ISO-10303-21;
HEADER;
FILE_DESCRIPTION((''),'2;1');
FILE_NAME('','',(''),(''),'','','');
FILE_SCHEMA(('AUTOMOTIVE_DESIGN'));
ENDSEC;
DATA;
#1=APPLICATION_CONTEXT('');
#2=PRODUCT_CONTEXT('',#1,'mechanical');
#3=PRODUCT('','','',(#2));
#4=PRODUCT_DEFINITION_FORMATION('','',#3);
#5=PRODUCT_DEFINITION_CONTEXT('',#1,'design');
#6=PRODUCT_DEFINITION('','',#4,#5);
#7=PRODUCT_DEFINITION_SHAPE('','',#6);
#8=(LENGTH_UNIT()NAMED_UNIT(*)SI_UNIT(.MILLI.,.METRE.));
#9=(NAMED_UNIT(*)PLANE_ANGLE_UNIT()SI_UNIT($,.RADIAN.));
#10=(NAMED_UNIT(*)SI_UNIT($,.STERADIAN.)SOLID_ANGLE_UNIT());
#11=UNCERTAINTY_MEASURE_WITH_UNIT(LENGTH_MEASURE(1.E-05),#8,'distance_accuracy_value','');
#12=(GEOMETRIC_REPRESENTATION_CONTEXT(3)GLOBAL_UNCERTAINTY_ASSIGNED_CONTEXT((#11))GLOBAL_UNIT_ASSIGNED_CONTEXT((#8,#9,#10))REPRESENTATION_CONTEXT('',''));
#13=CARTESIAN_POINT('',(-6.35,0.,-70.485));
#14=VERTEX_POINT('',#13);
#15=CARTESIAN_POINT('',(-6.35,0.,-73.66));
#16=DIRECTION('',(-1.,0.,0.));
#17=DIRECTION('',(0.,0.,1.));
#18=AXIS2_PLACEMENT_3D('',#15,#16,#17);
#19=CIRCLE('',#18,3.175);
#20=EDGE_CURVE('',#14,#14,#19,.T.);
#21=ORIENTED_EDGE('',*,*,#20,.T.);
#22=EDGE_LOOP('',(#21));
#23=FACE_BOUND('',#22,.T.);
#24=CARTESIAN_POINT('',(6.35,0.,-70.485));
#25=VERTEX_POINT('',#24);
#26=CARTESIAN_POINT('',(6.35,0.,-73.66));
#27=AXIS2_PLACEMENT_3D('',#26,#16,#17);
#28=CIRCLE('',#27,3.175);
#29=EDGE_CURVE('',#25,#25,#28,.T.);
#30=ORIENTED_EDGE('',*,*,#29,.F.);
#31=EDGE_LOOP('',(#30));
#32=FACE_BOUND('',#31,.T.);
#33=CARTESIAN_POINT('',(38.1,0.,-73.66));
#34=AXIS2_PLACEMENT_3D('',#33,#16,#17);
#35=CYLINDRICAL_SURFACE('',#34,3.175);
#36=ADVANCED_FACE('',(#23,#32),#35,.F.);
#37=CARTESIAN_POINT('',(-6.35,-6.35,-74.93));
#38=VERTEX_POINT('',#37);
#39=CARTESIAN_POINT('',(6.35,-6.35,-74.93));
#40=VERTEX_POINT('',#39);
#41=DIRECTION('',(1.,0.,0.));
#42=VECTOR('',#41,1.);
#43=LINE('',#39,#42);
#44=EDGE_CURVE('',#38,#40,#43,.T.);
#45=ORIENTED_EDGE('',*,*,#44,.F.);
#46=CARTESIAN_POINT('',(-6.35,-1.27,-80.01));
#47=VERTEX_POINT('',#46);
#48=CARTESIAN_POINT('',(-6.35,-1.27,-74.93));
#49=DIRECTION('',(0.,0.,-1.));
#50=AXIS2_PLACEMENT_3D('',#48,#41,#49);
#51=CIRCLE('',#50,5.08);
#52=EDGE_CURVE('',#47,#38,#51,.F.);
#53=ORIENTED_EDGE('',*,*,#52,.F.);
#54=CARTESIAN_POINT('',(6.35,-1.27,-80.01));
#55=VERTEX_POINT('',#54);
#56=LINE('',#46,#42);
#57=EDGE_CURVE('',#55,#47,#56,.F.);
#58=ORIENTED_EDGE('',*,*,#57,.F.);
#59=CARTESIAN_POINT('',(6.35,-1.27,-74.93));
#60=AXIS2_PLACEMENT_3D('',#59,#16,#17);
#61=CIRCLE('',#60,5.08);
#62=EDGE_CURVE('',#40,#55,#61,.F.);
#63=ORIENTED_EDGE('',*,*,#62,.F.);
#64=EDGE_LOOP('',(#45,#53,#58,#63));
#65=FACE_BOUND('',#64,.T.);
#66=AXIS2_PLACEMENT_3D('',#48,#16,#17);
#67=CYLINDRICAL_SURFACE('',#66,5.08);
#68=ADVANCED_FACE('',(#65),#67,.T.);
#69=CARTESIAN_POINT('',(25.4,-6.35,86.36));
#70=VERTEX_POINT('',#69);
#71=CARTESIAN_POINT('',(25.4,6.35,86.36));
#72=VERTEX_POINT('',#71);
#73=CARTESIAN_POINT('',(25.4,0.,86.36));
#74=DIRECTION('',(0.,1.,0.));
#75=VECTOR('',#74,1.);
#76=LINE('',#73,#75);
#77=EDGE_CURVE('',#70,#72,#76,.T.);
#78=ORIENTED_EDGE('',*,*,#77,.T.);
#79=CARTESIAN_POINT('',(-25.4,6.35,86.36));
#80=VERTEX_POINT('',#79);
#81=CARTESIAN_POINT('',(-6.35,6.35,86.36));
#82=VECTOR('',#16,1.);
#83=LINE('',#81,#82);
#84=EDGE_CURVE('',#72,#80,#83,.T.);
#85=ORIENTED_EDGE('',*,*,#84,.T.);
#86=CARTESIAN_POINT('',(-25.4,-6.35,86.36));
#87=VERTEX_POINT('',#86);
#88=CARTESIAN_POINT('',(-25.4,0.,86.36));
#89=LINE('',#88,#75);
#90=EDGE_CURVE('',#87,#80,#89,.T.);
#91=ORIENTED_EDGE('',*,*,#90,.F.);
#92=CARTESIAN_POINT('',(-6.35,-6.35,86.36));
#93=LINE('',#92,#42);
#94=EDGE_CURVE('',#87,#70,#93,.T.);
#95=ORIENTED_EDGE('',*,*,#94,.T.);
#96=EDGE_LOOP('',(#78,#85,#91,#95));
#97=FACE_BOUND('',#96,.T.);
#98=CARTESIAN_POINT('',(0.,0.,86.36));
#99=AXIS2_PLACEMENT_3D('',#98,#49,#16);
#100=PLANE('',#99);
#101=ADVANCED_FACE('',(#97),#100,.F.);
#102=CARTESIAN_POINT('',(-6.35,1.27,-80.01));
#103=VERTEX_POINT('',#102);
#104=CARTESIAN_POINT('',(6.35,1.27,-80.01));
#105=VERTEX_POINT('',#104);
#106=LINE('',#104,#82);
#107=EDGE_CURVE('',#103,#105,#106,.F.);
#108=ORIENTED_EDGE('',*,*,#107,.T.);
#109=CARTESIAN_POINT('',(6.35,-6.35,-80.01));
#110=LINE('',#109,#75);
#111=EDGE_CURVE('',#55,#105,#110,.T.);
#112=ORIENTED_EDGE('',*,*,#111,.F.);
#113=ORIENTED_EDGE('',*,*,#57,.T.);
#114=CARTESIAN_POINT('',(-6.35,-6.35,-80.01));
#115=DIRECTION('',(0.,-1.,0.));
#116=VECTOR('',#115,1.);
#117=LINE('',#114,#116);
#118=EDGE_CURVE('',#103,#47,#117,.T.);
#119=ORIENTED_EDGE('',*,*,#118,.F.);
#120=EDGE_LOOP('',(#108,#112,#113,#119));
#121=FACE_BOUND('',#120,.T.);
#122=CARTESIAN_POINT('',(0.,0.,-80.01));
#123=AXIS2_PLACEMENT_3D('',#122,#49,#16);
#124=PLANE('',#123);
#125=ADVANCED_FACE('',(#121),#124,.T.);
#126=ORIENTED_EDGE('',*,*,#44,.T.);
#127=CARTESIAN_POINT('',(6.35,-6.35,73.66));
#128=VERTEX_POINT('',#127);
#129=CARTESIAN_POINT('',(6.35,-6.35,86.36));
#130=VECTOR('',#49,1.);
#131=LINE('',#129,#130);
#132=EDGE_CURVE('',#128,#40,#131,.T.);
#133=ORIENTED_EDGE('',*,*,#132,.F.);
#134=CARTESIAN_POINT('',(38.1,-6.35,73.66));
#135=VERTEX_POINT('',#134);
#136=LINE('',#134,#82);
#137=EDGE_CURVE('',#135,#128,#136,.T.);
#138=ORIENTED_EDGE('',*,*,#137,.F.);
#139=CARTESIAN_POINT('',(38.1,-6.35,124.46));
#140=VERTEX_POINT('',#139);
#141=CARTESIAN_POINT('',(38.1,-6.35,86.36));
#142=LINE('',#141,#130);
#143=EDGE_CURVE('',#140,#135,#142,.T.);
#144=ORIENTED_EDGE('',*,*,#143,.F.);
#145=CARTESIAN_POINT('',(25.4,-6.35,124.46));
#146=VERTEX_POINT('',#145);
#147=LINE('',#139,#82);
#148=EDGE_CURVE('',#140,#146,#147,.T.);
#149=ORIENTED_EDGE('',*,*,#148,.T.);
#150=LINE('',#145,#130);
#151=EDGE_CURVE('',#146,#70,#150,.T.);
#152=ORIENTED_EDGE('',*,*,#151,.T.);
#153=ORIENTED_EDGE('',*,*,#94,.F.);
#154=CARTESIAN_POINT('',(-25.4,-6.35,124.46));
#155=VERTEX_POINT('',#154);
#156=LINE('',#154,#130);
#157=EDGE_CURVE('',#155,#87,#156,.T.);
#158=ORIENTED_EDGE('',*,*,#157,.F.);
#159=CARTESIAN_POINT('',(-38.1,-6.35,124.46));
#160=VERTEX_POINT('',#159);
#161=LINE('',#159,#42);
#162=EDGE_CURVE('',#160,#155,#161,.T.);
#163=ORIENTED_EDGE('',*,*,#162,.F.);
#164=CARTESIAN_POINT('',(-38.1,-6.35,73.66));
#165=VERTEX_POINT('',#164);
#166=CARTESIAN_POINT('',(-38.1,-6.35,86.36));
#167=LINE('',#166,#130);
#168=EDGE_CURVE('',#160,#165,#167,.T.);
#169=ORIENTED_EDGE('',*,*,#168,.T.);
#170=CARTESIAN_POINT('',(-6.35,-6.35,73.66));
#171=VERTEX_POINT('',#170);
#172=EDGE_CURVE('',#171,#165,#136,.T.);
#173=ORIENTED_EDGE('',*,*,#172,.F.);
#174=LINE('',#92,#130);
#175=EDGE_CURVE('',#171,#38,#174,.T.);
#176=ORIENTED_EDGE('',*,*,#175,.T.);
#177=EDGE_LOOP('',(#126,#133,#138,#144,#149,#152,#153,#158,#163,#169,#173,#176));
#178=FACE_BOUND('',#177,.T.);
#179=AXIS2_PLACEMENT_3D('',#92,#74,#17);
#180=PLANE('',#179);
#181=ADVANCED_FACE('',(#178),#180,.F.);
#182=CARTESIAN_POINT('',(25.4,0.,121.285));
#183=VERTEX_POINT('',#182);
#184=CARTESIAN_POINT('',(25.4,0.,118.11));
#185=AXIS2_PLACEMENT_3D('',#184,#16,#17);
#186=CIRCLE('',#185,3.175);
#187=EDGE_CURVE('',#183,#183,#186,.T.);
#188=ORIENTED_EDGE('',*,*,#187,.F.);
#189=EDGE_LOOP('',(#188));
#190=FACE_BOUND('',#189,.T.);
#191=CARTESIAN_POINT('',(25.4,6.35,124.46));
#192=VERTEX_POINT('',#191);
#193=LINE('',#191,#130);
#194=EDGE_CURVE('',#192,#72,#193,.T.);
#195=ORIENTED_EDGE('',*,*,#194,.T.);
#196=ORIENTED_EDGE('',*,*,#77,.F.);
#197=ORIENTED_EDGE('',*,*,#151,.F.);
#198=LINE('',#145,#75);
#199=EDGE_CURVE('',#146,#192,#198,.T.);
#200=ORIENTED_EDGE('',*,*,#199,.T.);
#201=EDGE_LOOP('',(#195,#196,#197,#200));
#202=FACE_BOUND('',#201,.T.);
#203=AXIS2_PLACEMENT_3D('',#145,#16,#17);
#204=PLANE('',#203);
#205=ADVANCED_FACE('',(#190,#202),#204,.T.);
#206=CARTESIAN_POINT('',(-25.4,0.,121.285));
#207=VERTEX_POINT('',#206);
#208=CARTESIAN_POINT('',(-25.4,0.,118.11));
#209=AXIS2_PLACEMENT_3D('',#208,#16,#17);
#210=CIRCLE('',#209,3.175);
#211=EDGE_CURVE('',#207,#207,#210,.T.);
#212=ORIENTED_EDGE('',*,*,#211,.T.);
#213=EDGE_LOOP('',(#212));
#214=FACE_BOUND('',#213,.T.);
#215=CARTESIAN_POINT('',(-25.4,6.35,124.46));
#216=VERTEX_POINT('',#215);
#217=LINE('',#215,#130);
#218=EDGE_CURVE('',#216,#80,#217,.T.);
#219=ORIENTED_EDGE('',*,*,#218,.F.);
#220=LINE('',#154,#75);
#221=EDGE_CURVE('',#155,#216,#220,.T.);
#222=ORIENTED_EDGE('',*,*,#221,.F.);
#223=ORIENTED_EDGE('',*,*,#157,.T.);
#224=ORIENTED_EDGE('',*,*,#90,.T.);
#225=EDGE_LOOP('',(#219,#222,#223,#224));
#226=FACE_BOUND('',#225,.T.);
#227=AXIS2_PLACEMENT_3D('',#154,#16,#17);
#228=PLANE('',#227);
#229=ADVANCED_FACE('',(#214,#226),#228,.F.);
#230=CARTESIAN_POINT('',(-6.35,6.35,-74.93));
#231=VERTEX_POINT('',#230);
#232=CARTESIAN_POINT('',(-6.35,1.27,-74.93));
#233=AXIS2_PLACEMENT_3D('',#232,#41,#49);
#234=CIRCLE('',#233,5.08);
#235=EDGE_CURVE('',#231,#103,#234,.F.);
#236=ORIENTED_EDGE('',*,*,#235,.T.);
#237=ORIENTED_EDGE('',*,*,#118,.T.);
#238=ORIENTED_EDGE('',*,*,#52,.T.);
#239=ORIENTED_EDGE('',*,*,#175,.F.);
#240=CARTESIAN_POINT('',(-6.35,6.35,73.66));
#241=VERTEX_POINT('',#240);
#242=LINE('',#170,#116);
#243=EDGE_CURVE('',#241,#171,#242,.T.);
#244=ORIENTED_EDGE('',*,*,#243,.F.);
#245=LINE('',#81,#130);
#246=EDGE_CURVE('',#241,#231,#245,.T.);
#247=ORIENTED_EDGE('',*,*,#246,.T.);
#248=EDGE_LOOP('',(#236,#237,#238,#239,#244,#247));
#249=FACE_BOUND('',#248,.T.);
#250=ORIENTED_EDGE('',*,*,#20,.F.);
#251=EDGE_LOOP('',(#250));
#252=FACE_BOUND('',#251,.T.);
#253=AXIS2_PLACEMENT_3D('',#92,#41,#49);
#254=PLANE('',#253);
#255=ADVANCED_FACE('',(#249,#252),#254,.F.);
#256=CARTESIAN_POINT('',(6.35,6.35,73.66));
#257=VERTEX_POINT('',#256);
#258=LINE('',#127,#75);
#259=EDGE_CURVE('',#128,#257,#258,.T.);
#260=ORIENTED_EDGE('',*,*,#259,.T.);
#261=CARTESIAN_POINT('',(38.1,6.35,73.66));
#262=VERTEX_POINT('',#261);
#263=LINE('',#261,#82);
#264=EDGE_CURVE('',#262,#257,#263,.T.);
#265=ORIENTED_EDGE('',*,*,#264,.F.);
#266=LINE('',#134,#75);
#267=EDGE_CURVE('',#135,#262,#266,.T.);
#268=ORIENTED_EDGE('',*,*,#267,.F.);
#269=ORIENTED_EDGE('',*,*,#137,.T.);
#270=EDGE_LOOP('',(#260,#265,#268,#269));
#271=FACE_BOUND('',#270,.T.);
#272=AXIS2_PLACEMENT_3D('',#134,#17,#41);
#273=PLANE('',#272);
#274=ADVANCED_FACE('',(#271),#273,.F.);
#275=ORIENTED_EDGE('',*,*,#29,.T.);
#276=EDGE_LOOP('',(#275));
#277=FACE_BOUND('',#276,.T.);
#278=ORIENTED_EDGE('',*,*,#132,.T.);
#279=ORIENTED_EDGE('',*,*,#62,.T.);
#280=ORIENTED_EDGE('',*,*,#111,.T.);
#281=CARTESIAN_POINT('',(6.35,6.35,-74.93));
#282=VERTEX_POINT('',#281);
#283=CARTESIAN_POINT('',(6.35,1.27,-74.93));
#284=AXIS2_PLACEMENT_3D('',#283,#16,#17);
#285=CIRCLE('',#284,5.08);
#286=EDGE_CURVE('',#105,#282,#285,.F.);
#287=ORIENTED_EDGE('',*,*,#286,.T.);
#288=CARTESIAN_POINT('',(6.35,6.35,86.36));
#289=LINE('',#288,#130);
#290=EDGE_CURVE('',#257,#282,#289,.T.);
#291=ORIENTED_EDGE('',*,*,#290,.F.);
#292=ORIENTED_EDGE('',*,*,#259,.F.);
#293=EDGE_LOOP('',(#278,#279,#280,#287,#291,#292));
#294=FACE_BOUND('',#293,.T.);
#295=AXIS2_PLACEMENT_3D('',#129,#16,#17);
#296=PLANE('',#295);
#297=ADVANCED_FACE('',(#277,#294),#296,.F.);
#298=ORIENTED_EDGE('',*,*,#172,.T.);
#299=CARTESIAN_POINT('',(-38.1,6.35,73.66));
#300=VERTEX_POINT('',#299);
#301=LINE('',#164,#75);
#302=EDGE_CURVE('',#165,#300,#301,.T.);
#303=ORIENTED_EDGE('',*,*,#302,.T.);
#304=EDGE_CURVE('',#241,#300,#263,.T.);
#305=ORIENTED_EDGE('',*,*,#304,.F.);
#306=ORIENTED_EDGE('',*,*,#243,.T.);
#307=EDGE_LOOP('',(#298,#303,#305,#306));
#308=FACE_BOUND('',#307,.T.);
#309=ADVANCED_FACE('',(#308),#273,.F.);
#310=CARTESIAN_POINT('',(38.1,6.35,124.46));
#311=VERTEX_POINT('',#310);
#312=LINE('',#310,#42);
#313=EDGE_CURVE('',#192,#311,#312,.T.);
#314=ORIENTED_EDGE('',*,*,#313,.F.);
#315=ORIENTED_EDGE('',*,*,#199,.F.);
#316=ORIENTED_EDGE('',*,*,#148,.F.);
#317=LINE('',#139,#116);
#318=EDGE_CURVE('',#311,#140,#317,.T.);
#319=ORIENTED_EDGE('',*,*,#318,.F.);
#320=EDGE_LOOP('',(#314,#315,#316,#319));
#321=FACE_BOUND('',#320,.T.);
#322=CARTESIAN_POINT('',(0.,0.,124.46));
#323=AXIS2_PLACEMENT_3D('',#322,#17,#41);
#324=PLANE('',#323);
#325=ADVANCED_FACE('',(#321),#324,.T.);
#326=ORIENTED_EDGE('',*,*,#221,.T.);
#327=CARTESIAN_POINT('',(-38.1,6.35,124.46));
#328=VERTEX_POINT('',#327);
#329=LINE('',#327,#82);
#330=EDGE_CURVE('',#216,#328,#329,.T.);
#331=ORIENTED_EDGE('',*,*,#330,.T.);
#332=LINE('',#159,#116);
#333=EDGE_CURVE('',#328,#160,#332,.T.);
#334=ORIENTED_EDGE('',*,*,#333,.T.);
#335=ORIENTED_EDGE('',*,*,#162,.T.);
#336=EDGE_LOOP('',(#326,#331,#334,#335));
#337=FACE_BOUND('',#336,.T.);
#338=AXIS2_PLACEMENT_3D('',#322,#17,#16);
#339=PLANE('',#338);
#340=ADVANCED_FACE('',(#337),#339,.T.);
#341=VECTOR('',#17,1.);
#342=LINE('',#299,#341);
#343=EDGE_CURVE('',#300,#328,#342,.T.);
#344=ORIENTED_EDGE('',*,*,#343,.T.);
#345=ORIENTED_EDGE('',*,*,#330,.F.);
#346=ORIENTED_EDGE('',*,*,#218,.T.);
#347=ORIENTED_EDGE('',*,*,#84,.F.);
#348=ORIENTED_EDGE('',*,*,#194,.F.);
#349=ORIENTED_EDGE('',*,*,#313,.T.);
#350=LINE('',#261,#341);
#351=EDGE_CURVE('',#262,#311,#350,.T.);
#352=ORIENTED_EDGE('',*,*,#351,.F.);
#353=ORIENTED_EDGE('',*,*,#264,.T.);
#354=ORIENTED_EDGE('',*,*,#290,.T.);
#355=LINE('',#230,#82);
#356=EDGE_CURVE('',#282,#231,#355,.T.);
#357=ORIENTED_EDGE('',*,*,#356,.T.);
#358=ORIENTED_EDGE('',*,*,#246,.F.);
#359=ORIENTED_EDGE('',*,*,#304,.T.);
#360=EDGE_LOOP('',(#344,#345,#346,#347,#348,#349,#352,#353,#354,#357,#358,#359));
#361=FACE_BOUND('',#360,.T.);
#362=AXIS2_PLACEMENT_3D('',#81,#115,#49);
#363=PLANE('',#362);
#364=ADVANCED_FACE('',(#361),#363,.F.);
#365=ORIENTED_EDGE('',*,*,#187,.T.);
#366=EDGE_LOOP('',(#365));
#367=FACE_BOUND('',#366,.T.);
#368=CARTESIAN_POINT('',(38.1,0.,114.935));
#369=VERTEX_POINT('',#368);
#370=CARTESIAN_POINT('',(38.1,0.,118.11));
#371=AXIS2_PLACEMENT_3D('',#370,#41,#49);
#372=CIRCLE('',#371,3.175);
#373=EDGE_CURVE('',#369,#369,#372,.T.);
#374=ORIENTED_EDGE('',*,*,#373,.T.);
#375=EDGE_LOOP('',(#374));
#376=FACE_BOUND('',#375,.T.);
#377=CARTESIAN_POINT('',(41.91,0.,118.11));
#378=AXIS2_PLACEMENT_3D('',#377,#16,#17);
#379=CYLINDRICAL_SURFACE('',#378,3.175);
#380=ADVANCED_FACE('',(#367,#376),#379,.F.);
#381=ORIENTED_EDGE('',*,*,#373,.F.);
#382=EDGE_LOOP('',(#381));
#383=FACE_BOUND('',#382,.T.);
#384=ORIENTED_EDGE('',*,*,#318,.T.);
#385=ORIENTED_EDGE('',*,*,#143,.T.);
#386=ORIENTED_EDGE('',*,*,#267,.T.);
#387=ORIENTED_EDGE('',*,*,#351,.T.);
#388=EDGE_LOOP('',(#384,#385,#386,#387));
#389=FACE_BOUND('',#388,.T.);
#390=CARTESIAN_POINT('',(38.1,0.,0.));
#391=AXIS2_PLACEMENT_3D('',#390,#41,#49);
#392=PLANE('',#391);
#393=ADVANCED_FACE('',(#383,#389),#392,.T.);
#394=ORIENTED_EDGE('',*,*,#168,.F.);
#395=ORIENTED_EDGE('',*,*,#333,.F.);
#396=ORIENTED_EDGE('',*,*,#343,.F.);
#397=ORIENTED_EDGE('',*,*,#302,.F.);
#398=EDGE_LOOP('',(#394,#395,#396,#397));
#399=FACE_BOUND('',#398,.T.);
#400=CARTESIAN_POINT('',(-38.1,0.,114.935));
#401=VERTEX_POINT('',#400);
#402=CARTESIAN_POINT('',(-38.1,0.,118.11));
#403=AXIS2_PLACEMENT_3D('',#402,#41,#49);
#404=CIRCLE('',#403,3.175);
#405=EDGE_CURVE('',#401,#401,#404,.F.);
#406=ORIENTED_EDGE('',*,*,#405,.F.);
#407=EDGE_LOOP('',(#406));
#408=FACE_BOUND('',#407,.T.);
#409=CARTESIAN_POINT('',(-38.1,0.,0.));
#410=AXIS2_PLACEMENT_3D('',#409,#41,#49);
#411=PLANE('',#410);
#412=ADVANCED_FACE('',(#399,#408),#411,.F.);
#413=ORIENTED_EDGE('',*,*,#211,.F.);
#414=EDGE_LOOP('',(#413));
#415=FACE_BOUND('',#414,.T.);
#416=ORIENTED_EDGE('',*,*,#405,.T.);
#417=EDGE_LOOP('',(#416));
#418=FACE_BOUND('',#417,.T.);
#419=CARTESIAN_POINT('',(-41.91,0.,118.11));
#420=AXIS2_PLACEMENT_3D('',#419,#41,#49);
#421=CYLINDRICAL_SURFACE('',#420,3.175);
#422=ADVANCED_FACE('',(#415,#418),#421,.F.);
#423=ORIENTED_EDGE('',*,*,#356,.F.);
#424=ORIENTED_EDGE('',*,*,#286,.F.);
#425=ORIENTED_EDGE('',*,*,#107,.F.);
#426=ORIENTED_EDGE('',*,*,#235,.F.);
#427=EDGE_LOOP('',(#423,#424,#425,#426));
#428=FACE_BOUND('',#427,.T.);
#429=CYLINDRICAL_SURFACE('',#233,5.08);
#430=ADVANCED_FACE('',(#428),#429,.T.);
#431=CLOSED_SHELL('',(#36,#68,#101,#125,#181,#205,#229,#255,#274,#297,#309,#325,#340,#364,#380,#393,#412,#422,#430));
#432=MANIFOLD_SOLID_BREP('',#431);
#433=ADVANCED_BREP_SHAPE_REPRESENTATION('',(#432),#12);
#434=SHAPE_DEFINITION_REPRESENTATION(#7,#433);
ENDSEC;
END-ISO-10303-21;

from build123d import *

# Parameters (mm, degrees)
SKETCH1_W                = 12.7
SKETCH1_H                = 12.7
BOSS_EXTRUDE1_DEPTH      = 86.36
BOSS_EXTRUDE1_DEPTH_BACK = 80.01
SKETCH4_W                = 12.7
SKETCH4_H                = 12.7
BOSS_EXTRUDE2_DEPTH      = 38.1
SKETCH5_W                = 12.7
SKETCH5_H                = 12.7
BOSS_EXTRUDE3_DEPTH      = 50.8
SKETCH6_R                = 3.175
CUT_EXTRUDE1_DEPTH       = 16.51
SKETCH7_R                = 3.175
CUT_EXTRUDE2_DEPTH       = 45.45
FILLET1_R                = 5.08


with BuildPart() as part:
    # Sketch1 → Boss-Extrude1 (new body, two sides)
    with BuildSketch(Plane.XY) as boss_extrude1_sk:
        Rectangle(SKETCH1_W, SKETCH1_H)
    extrude(amount=BOSS_EXTRUDE1_DEPTH)
    extrude(boss_extrude1_sk.sketch, amount=-BOSS_EXTRUDE1_DEPTH_BACK)

    # Sketch4 → Boss-Extrude2 (add, symmetric)
    with BuildSketch(Plane(origin=(0, 0, 0), x_dir=(0, 0, -1), z_dir=(1, 0, 0))):
        with Locations((-80.01, 0)):
            Rectangle(SKETCH4_W, SKETCH4_H)
    extrude(amount=BOSS_EXTRUDE2_DEPTH, both=True)

    # Sketch5 → Boss-Extrude3 (add)
    with BuildSketch(Plane(origin=(0, 0, 73.66), x_dir=(-1, 0, 0), z_dir=(0, 0, -1))):
        with Locations((-31.75, 0)):
            Rectangle(SKETCH5_W, SKETCH5_H)
    boss_extrude3 = extrude(amount=-BOSS_EXTRUDE3_DEPTH)

    # Sketch6 → Cut-Extrude1 (cut)
    with BuildSketch(Plane.ZY.offset(-25.4)):
        with Locations((118.11, 0)):
            Circle(SKETCH6_R)
    cut_extrude1 = extrude(amount=-CUT_EXTRUDE1_DEPTH, mode=Mode.SUBTRACT)

    # Mirror1: Boss-Extrude3, Cut-Extrude1 across plane
    add(boss_extrude3.mirror(Plane(origin=(0, 0, 0), x_dir=(0, 0, 1), z_dir=(1, 0, 0))))
    add(cut_extrude1.mirror(Plane(origin=(0, 0, 0), x_dir=(0, 0, 1), z_dir=(1, 0, 0))), mode=Mode.SUBTRACT)

    # Sketch7 → Cut-Extrude2 (cut, through all)
    with BuildSketch(Plane.ZY.offset(6.35)):
        with Locations((-73.66, 0)):
            Circle(SKETCH7_R)
    extrude(amount=-CUT_EXTRUDE2_DEPTH, mode=Mode.SUBTRACT)

    # Fillet1
    fillet1_edges = [part.edges().sort_by_distance(p)[0] for p in [
        (0, 6.35, -80.01),
        (0, -6.35, -80.01),
    ]]
    fillet(fillet1_edges, radius=FILLET1_R)


solid = part.part
